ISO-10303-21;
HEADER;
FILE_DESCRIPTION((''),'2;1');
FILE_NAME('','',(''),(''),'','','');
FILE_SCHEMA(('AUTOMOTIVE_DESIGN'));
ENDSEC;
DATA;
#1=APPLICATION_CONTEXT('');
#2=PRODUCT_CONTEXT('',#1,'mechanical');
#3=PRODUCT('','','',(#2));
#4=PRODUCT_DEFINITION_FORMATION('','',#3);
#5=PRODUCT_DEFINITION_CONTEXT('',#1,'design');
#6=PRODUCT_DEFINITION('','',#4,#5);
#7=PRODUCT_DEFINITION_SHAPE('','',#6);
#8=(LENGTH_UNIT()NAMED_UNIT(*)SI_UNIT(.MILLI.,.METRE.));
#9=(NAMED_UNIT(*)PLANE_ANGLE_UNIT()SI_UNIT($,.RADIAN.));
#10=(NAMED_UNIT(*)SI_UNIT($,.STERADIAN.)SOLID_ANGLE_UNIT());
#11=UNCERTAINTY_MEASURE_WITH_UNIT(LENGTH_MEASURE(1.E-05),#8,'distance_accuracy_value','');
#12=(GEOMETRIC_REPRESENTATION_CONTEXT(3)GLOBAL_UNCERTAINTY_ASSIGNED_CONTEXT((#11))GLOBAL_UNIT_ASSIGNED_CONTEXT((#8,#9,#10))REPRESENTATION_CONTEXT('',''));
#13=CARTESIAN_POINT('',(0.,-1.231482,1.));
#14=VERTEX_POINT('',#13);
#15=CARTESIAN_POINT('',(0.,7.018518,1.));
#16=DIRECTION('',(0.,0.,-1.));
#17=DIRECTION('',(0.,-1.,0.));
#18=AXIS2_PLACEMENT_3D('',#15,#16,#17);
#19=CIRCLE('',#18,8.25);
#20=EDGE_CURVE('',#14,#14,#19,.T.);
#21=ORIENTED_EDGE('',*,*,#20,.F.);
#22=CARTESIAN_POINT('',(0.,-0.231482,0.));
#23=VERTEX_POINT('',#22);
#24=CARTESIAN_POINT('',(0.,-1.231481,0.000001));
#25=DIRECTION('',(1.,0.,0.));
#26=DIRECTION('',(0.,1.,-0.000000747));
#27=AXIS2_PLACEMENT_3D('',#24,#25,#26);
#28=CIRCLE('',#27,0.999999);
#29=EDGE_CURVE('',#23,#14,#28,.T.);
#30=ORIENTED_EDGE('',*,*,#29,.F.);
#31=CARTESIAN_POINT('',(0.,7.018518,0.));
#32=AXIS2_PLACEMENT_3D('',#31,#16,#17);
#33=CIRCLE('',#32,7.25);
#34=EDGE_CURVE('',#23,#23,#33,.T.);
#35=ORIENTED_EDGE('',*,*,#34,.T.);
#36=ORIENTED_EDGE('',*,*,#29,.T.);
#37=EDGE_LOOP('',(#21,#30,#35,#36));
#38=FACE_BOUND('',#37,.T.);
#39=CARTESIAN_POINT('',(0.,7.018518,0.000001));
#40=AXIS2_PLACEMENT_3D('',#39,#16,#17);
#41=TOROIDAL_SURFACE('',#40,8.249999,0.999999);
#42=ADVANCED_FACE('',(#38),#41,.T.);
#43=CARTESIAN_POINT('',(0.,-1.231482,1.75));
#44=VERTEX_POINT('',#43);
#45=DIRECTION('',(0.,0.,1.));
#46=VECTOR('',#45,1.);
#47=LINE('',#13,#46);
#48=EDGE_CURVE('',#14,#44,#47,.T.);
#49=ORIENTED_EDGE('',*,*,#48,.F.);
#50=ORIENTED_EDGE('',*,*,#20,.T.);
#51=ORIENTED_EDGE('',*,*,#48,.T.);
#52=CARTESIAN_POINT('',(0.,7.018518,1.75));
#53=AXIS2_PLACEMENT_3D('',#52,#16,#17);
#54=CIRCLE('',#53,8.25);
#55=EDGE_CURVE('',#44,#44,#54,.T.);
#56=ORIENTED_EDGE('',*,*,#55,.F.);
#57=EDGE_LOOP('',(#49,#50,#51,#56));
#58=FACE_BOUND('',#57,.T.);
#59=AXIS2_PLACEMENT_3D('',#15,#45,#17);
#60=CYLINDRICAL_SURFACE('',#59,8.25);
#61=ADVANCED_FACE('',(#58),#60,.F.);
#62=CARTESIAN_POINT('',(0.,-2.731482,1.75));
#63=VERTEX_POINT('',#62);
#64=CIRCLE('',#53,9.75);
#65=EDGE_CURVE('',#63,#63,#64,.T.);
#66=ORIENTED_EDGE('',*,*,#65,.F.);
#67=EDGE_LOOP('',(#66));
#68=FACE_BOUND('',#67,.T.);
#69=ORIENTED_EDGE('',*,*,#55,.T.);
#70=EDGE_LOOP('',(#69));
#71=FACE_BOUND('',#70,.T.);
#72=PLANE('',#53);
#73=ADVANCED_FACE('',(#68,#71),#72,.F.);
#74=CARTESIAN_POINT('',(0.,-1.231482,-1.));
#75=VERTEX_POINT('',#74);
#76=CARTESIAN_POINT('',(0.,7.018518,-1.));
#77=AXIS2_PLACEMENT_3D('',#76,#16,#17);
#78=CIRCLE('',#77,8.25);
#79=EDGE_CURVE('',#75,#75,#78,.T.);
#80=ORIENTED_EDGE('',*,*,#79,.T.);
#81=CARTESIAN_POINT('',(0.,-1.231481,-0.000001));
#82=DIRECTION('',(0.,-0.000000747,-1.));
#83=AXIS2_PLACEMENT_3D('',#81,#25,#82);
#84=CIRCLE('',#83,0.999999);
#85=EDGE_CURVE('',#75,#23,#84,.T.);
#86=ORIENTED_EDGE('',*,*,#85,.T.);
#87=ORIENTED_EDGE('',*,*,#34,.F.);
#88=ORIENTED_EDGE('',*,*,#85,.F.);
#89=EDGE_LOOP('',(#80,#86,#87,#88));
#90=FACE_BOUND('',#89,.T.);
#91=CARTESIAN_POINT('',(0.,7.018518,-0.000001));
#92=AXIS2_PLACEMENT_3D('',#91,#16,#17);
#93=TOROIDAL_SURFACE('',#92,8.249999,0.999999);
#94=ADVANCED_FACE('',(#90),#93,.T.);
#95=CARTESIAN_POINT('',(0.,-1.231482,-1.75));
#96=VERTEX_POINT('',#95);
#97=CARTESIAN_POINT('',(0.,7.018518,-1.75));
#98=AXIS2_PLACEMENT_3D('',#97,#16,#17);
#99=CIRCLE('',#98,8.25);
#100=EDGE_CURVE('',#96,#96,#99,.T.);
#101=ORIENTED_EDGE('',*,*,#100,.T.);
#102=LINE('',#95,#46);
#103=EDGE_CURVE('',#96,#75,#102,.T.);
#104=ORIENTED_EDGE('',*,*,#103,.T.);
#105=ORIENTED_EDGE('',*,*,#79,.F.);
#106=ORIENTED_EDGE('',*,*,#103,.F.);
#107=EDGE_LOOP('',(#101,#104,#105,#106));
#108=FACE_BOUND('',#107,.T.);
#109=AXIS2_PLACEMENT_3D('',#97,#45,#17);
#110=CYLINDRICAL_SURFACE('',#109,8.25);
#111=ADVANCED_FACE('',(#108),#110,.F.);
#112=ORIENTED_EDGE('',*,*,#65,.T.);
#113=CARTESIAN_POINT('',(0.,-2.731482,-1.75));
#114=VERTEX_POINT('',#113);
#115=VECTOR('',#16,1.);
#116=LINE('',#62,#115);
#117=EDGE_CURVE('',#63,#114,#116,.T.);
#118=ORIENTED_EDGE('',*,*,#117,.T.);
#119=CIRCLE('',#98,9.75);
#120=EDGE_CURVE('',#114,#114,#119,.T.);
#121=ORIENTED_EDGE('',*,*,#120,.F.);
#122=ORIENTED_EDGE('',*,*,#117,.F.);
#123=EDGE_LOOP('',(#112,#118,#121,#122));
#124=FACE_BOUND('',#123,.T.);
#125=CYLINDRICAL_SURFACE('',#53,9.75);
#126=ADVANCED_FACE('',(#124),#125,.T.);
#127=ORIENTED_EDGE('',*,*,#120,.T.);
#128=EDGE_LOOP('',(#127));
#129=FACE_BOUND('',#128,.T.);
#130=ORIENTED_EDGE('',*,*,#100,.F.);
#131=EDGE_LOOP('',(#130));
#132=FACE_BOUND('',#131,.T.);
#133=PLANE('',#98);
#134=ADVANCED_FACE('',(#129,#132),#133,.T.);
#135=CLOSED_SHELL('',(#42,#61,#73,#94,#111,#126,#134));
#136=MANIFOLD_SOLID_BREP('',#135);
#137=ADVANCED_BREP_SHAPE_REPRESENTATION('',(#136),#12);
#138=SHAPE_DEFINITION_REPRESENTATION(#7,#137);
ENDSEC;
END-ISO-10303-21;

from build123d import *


with BuildPart() as f1:
    # F0 (on Right) → F1 (revolve)
    with BuildSketch(Plane.YZ):
        with BuildLine():
            Line((-2.731482, 1.75), (-2.731482, 0))
            Line((-2.731482, 0), (-2.731482, -1.75))
            Line((-2.731482, -1.75), (-1.231482, -1.75))
            Line((-1.231482, -1.75), (-1.231482, -1))
            ThreePointArc((-1.231482, -1), (-0.524375, -0.707107), (-0.231482, 0))
            ThreePointArc((-0.231482, 0), (-0.524375, 0.707107), (-1.231482, 1))
            Line((-1.231482, 1), (-1.231482, 1.75))
            Line((-1.231482, 1.75), (-2.731482, 1.75))
        make_face()
    revolve(axis=Axis((0, 7.018518, 0.16714), (0, 0, -1)))


solid = f1.part
